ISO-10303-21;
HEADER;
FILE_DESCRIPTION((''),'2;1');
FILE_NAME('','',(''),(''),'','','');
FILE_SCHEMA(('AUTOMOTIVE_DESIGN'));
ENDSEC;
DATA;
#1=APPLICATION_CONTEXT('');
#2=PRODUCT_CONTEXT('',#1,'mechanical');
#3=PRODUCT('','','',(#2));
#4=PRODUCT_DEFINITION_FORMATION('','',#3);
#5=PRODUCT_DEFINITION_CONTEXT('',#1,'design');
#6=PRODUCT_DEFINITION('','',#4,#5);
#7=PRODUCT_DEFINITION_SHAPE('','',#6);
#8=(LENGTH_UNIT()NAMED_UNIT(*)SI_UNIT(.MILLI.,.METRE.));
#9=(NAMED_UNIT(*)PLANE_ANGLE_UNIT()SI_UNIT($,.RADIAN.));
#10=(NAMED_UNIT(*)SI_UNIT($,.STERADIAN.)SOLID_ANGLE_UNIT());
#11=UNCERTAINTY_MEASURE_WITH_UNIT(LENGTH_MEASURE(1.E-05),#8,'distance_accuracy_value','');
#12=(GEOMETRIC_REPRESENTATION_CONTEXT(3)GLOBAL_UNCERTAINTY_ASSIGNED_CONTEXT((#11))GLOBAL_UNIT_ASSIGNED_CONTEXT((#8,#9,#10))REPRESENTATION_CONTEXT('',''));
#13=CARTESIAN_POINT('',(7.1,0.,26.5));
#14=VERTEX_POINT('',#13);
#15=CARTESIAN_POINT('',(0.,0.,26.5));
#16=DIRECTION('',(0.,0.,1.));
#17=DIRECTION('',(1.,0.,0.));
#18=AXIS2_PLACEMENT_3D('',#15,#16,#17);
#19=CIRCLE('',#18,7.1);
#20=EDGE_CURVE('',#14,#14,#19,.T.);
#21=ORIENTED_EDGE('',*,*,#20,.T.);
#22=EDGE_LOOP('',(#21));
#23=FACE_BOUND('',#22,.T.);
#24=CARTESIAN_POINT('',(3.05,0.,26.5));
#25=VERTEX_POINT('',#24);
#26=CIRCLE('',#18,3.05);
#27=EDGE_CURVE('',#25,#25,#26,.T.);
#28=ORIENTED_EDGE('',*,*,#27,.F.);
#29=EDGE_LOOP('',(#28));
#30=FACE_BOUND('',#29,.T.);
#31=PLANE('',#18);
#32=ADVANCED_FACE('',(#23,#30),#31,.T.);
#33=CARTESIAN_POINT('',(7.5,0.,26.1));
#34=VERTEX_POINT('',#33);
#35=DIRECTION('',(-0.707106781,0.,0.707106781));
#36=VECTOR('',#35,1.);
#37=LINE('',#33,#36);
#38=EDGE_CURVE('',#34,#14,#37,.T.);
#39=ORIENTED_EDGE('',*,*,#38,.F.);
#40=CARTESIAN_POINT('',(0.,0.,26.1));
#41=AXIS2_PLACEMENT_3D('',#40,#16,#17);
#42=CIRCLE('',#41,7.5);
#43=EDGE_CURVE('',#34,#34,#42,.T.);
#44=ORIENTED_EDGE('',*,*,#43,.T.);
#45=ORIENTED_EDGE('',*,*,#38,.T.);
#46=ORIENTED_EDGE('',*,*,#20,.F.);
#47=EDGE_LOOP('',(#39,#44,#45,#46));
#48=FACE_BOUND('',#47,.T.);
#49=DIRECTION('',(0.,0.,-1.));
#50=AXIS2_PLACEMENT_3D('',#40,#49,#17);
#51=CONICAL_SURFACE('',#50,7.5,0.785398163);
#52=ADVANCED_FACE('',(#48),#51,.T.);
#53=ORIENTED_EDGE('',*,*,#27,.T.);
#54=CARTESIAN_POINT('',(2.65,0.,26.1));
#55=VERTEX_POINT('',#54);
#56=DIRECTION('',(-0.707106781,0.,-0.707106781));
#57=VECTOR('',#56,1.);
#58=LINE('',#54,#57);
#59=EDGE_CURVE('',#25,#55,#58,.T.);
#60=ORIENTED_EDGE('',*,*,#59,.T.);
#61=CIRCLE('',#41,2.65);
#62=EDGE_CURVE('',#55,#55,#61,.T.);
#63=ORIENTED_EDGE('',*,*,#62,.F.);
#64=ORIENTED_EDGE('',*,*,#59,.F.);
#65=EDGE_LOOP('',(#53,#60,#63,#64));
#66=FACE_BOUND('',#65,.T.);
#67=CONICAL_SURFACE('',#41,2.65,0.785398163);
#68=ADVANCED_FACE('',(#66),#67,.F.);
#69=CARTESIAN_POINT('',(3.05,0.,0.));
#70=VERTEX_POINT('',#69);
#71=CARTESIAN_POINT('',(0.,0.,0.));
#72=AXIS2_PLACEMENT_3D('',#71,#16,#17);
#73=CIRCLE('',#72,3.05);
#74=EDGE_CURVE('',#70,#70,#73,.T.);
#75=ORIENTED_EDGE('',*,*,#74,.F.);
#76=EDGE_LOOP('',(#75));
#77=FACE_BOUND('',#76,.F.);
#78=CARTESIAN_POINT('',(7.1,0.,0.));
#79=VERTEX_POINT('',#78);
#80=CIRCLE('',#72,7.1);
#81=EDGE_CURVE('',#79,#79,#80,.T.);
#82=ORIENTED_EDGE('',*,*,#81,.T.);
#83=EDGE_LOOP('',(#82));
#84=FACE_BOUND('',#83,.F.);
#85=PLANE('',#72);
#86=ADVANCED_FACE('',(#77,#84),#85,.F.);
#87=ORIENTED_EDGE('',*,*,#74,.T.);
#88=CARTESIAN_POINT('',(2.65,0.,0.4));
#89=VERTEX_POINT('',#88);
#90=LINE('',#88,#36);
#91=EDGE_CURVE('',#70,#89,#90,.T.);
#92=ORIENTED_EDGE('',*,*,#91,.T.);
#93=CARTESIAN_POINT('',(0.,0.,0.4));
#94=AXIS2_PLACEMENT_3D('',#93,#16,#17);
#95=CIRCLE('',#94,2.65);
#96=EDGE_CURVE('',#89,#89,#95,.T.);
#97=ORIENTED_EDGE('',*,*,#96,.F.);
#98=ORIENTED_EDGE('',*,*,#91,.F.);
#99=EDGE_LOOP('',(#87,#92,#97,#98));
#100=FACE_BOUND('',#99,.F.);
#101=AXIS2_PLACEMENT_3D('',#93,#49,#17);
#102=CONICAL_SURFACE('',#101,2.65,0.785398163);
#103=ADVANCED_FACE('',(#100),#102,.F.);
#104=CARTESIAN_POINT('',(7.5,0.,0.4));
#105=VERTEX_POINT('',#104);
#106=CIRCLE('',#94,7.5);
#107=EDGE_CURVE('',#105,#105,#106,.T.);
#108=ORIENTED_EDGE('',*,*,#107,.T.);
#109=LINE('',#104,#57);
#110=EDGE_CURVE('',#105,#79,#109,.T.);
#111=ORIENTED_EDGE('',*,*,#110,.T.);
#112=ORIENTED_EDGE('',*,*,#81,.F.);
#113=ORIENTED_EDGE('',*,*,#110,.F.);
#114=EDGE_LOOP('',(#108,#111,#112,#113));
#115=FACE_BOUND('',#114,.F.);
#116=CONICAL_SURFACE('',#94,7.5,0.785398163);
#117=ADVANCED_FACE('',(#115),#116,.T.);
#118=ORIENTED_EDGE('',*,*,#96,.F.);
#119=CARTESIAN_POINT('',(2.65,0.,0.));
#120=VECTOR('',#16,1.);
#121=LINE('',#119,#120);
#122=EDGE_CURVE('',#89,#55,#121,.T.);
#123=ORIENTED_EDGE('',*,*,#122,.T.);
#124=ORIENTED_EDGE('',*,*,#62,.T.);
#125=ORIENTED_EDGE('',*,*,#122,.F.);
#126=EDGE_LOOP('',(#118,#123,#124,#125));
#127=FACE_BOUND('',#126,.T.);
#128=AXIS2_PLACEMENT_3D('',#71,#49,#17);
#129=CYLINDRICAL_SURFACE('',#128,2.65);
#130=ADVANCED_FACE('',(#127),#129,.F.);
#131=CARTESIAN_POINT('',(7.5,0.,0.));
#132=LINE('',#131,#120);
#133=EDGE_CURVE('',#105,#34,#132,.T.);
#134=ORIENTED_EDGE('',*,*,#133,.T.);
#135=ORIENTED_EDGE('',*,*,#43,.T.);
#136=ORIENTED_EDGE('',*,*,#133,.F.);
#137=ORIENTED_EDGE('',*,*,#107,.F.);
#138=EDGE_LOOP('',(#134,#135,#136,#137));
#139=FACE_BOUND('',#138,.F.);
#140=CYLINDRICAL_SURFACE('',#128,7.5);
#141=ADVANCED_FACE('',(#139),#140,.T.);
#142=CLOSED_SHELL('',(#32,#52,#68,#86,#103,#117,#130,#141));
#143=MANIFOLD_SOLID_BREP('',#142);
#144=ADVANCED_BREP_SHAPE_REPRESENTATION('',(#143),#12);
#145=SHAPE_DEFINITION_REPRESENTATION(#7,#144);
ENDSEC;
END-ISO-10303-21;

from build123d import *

# Parameters (mm, degrees)
CYLINDER043_R     = 2.65
CYLINDER043_DEPTH = 26.5
CYLINDER042_R     = 7.5
CYLINDER042_DEPTH = 26.5
CHAMFER026_SIZE   = 0.4


with BuildPart() as cylinder042:
    # Cylinder043 → Cylinder043 (new body)
    with BuildSketch(Plane.XY):
        Circle(CYLINDER043_R)
    extrude(amount=CYLINDER043_DEPTH)


with BuildPart() as short_rod:
    # Cylinder042 → Cylinder042 (new body)
    with BuildSketch(Plane.XY):
        Circle(CYLINDER042_R)
    extrude(amount=CYLINDER042_DEPTH)

    # Cut032: cut Cylinder042
    add(cylinder042.part, mode=Mode.SUBTRACT)

    # Chamfer026
    chamfer026_edges = [short_rod.edges().sort_by_distance(p)[0] for p in [
        (-7.5, 0, 26.5),
        (-7.5, 0, 0),
        (-2.65, 0, 26.5),
        (-2.65, 0, 0),
    ]]
    chamfer(chamfer026_edges, length=CHAMFER026_SIZE)


solid = short_rod.part
